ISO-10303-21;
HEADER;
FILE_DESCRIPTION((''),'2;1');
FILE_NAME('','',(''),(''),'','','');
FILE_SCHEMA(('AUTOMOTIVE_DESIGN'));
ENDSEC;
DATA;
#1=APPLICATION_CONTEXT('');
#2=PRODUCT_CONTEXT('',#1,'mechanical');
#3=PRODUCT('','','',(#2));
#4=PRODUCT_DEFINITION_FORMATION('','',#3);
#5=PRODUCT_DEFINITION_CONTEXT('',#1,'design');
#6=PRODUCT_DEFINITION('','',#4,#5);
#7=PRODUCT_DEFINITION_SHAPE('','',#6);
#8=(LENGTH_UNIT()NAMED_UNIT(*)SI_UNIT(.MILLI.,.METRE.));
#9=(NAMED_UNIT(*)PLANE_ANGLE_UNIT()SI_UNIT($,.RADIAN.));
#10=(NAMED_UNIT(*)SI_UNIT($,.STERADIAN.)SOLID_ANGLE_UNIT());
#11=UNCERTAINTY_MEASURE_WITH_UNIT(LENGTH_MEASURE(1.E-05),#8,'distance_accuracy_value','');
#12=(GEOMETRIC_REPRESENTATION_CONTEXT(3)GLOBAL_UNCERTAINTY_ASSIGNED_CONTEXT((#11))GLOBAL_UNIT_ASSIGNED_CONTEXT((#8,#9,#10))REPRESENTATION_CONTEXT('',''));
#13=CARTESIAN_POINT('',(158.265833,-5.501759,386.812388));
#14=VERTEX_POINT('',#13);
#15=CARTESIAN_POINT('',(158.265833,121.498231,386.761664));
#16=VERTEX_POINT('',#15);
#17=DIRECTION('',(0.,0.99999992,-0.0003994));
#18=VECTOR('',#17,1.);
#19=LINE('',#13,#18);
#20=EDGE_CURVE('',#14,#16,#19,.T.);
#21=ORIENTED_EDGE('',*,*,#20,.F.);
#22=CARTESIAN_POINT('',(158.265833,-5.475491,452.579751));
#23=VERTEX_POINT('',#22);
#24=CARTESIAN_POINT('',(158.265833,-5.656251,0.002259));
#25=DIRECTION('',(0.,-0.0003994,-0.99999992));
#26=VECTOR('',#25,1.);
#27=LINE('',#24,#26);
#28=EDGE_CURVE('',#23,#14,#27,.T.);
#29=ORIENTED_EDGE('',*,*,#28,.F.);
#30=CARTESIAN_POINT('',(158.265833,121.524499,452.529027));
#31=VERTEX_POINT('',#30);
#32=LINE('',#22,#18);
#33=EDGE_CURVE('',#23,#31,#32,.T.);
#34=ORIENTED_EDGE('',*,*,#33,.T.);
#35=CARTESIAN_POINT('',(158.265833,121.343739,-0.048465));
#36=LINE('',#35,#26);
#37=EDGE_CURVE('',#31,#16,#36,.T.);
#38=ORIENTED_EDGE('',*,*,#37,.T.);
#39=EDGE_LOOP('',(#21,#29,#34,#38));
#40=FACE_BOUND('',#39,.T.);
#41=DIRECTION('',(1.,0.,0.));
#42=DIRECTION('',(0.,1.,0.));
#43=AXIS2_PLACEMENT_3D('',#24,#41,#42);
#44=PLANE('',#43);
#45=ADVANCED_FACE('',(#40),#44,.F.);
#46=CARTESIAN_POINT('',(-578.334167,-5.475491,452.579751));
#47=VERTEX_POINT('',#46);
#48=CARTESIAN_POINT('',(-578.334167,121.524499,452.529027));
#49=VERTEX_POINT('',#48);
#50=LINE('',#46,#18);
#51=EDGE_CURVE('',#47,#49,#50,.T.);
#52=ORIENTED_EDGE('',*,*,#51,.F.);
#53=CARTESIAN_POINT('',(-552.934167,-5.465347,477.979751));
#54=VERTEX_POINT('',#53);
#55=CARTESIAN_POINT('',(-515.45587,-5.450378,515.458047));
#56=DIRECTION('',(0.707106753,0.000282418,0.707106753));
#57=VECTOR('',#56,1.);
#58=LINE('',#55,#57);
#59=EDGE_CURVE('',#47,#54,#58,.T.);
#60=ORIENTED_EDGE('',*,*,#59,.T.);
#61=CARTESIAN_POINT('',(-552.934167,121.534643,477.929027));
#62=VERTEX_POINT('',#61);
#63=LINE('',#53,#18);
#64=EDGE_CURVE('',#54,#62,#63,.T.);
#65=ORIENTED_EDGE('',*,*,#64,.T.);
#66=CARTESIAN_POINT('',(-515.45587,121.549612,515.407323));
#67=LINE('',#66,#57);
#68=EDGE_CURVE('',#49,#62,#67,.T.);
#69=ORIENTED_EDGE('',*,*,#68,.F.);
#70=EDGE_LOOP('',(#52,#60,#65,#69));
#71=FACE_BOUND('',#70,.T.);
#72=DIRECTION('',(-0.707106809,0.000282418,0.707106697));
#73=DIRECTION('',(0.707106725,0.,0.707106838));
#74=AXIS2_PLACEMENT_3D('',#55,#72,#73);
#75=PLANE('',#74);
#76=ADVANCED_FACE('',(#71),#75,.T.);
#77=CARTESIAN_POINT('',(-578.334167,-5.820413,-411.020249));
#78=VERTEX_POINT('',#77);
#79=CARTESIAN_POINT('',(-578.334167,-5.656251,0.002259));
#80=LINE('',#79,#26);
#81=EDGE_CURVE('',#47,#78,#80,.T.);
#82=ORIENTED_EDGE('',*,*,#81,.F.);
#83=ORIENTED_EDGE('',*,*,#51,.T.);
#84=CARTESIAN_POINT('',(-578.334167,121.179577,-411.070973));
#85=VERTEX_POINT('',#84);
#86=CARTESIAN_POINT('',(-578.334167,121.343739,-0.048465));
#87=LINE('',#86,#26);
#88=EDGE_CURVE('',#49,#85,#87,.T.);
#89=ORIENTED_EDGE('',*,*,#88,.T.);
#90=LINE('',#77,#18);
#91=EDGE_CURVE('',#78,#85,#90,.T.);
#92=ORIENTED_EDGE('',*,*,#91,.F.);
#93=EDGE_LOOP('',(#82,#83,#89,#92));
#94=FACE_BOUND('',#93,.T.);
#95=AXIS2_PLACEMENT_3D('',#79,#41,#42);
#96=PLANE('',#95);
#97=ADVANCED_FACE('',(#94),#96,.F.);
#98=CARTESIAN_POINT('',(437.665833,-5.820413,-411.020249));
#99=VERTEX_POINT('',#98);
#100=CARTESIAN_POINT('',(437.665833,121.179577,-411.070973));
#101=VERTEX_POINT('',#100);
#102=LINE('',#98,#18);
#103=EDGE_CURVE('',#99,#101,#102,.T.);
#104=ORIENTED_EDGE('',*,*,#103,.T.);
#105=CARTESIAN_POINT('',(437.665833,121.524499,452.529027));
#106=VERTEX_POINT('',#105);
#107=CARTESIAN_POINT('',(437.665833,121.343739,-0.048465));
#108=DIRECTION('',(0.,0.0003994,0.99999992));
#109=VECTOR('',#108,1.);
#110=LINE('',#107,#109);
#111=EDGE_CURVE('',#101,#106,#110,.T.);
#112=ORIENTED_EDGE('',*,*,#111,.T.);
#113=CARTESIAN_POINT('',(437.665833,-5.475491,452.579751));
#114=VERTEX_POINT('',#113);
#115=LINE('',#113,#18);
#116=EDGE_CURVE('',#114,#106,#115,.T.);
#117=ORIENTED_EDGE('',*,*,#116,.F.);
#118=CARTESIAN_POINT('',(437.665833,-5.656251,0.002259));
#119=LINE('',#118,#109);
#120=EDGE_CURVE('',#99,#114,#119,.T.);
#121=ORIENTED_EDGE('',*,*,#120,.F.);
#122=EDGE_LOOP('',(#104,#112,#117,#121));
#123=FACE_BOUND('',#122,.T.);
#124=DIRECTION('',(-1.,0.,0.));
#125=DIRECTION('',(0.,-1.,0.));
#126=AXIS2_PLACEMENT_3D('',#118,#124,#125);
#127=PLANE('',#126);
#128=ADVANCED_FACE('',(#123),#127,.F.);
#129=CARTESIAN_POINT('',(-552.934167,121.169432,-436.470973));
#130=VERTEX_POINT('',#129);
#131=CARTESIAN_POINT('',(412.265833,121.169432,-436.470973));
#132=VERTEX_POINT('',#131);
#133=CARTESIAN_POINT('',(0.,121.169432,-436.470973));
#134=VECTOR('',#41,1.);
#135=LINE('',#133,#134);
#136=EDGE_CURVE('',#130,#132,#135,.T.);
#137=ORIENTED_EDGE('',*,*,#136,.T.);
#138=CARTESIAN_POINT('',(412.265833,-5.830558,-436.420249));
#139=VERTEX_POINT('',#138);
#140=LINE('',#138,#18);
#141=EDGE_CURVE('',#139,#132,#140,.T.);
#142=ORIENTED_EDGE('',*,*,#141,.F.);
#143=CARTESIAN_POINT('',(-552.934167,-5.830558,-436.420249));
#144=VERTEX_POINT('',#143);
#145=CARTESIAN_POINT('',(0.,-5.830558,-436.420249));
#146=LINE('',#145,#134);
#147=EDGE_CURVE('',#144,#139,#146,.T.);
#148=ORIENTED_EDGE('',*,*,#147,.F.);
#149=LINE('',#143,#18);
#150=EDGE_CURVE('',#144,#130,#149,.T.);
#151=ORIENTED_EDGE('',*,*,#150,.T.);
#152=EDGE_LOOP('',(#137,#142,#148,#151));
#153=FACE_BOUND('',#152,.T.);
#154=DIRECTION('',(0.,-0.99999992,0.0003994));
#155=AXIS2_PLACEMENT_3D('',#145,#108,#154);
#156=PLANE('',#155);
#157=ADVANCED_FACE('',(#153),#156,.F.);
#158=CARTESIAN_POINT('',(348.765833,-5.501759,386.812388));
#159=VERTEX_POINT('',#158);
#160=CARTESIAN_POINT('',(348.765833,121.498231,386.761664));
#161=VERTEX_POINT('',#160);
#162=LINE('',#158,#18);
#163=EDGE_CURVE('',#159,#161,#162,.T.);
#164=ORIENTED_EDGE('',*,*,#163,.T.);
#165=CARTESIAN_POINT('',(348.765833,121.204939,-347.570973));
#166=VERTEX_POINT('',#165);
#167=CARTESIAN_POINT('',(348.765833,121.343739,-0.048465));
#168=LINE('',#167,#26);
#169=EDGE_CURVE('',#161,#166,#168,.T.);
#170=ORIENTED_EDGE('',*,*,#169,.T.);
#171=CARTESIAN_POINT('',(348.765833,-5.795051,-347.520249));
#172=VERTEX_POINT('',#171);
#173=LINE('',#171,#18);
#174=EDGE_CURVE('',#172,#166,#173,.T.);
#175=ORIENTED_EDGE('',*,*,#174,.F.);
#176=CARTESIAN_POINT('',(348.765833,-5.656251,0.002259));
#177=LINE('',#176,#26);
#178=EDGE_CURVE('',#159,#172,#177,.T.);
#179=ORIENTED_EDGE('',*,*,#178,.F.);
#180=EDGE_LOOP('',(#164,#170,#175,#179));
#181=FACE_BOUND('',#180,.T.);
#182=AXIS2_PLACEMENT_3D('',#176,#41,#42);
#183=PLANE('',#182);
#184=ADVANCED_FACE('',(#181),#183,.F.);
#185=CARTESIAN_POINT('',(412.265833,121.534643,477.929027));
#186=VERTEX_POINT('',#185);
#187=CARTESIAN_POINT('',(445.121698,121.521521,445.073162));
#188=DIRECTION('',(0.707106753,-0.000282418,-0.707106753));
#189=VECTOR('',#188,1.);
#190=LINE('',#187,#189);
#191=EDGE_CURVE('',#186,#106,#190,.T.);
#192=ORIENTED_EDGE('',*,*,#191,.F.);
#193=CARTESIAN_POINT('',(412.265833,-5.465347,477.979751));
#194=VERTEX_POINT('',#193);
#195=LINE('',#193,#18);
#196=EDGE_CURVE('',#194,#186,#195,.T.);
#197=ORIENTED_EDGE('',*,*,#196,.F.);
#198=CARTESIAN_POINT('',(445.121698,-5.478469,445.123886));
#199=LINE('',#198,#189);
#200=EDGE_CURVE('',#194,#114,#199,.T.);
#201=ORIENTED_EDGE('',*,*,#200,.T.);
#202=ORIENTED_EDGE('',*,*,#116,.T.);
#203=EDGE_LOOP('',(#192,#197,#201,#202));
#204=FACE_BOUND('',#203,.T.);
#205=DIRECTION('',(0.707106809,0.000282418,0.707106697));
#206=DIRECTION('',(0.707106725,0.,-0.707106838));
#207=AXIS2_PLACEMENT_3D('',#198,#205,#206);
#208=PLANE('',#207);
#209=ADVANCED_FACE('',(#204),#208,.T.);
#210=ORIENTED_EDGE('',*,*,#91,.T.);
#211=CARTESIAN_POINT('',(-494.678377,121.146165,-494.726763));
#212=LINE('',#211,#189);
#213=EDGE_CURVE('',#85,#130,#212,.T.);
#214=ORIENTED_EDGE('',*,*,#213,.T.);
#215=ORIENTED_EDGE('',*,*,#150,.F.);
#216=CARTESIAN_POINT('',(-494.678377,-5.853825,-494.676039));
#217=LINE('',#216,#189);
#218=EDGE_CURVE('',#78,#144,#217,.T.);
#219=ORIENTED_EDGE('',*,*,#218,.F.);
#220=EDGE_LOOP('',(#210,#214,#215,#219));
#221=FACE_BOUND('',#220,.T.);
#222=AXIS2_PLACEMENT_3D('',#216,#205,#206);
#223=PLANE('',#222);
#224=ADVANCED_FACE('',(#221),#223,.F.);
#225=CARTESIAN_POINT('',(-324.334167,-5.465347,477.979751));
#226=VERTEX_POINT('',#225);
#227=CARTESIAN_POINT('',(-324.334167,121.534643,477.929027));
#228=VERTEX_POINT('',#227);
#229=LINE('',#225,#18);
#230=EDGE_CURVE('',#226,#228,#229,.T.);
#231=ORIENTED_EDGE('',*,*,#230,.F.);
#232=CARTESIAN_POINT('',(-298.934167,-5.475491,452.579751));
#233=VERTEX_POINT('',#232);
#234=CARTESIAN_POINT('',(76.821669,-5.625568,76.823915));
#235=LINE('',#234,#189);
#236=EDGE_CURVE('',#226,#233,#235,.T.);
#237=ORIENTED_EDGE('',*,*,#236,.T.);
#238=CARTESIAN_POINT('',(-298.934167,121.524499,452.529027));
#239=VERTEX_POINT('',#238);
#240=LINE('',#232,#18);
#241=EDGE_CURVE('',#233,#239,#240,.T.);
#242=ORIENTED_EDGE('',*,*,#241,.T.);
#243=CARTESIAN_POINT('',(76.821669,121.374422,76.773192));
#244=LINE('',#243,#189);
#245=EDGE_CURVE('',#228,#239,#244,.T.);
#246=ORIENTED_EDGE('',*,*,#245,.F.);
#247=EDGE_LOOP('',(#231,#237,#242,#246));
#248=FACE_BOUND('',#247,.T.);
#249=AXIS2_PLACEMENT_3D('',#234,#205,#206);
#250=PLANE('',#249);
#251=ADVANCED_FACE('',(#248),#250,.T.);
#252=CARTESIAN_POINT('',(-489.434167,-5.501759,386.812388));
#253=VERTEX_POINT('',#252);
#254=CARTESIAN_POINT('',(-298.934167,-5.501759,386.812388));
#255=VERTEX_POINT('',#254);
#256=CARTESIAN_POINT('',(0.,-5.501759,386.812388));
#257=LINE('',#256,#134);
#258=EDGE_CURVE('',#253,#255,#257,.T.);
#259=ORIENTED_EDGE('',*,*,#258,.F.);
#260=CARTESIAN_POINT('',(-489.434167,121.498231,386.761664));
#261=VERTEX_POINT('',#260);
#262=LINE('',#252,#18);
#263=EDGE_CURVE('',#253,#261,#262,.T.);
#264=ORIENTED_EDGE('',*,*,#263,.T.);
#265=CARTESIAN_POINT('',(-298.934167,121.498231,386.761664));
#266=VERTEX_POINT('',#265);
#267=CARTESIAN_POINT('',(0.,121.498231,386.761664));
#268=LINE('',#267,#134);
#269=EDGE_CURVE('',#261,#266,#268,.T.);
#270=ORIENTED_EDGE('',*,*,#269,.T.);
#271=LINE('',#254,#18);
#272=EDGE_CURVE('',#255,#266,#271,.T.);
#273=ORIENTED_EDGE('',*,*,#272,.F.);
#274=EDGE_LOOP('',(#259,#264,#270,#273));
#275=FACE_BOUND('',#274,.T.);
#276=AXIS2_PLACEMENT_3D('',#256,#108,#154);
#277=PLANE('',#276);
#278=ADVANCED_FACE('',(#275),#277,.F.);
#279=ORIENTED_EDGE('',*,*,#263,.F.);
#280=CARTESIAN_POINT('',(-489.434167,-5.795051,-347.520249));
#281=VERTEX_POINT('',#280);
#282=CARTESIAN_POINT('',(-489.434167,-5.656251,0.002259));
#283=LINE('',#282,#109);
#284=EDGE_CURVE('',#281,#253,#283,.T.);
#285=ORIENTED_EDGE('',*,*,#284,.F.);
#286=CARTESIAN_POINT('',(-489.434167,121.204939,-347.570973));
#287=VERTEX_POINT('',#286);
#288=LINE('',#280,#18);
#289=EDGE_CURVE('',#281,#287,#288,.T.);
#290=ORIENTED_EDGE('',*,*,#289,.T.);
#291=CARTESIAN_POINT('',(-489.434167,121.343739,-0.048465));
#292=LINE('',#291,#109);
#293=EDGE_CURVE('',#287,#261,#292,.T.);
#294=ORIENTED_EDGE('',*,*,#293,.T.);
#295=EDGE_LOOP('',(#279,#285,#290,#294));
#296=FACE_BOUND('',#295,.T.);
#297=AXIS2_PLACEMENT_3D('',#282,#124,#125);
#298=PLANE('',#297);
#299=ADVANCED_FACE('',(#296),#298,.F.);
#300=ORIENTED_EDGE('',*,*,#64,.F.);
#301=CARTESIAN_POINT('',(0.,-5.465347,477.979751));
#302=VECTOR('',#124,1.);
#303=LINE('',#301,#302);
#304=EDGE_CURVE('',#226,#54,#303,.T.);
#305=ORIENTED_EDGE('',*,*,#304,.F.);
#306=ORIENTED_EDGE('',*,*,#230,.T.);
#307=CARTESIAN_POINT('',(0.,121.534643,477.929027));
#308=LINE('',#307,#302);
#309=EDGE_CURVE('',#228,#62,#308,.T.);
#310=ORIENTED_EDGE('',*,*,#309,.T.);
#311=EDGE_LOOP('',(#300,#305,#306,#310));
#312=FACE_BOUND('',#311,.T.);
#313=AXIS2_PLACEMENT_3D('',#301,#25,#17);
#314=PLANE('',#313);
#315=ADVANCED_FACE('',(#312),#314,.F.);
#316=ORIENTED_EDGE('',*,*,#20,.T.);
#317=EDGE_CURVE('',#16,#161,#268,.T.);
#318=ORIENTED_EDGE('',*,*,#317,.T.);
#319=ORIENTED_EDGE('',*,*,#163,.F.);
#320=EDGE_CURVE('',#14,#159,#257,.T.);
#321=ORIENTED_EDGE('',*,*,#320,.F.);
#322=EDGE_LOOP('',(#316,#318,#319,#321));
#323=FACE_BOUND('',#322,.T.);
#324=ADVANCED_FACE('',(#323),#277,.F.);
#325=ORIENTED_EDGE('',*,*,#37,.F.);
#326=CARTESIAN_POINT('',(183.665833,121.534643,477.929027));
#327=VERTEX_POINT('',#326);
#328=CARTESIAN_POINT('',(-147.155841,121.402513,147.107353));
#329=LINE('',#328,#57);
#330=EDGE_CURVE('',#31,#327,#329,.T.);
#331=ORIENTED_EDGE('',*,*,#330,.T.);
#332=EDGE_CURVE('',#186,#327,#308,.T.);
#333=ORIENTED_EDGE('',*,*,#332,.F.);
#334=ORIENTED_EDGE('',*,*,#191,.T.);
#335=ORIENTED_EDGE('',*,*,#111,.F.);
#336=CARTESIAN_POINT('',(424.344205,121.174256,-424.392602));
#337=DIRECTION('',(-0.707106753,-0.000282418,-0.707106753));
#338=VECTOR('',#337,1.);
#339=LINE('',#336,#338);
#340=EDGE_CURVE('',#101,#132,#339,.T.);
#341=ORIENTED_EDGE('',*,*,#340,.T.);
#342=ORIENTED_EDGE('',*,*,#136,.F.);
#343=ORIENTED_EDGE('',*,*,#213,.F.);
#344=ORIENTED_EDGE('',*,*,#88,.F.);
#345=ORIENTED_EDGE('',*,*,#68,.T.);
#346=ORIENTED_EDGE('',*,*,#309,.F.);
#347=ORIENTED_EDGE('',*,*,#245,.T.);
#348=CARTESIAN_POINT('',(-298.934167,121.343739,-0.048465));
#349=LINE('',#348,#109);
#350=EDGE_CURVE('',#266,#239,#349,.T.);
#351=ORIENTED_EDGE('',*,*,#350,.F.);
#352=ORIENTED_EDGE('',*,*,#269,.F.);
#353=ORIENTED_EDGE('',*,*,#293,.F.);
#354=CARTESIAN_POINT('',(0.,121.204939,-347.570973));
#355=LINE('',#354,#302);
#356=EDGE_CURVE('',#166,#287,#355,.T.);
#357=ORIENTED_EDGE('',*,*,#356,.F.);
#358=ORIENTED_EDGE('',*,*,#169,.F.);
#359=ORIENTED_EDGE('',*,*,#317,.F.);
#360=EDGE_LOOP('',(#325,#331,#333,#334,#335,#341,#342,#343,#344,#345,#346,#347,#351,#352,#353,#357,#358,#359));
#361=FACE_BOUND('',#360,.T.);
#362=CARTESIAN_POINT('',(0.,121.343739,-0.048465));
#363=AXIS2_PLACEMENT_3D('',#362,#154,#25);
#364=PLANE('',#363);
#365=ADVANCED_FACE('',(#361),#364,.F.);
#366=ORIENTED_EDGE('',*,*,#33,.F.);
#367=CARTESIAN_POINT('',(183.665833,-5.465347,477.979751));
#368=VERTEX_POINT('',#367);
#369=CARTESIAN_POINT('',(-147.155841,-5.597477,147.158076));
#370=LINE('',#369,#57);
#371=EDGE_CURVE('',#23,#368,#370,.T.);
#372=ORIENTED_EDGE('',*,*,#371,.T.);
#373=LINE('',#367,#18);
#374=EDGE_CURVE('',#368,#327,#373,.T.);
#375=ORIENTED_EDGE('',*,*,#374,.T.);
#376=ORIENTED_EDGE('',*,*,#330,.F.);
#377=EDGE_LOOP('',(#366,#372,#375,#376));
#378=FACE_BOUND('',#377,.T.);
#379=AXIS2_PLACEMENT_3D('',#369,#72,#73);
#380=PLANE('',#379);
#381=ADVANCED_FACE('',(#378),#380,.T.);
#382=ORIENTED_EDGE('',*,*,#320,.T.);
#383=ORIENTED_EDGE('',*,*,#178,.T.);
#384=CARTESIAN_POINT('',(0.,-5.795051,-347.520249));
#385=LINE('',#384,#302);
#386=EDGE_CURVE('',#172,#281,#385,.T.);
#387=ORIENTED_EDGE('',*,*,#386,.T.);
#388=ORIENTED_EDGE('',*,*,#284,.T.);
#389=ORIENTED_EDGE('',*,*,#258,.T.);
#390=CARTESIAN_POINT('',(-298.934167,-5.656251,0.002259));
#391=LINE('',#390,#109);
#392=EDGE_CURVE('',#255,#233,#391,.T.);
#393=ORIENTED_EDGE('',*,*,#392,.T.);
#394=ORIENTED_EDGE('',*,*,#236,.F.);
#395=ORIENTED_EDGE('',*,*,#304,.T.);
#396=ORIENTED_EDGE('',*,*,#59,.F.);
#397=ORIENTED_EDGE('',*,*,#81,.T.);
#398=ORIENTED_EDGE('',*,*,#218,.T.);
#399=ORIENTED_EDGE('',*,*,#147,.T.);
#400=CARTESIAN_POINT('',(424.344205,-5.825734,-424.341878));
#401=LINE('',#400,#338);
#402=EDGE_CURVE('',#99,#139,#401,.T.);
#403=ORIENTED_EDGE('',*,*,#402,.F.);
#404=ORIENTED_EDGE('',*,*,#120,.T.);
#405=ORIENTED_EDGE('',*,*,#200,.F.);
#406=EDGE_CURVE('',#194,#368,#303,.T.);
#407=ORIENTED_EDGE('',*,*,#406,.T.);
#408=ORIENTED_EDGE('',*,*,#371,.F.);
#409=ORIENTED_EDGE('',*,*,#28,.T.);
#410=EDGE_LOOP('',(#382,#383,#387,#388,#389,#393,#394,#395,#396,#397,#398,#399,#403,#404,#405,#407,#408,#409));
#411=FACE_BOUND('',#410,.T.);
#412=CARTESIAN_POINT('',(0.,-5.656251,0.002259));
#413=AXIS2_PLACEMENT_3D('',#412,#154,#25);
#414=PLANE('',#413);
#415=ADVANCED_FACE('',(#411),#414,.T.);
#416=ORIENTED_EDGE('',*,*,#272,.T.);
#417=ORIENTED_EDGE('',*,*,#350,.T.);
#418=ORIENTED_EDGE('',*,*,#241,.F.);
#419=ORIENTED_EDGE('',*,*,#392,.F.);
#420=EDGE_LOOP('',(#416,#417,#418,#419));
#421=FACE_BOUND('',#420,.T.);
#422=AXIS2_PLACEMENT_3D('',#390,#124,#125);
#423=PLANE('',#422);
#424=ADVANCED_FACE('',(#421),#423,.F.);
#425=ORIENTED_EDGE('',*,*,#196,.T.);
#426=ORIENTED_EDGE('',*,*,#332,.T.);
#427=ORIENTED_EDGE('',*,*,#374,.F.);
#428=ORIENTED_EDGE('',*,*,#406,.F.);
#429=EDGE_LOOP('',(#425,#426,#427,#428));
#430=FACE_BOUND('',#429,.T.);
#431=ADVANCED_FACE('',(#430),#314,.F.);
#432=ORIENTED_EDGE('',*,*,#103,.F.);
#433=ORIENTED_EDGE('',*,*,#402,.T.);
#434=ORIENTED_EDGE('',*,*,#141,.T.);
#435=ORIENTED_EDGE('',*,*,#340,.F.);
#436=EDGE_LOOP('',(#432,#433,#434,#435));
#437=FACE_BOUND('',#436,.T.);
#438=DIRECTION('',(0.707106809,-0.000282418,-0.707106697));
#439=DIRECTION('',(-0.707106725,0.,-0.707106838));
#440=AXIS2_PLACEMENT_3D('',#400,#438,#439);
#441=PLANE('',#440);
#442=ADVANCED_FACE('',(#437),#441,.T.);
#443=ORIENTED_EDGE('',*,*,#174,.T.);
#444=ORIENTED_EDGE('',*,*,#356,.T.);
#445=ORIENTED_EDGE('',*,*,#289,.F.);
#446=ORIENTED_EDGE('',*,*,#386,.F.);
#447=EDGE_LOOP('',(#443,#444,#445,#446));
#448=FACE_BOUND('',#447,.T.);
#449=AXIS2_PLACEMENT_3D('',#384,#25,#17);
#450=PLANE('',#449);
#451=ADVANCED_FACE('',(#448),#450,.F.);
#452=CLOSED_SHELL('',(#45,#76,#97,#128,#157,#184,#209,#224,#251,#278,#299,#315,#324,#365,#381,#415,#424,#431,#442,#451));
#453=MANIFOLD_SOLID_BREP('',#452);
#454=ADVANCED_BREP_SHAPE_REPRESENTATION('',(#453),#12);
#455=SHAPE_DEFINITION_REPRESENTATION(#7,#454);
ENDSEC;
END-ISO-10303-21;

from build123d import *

# Parameters (mm, degrees)
BOSS_EXTRUDE1_DEPTH = 63.5


with BuildPart() as part:
    # Sketch1 → Boss-Extrude1 (new body, symmetric)
    with BuildSketch(Plane(origin=(0, 57.843753362, -2.3797e-05), x_dir=(-1, 0, 0), z_dir=(0, -0.99999992, 0.0003994))):
        Polygon((-412.265833354, -477.954450626), (-183.665833354, -477.954450626), (-158.265833354, -452.554448601), (-158.265833354, -386.787080658), (-348.765833354, -386.787080658), (-348.765833354, 347.545615216), (489.434166646, 347.545615216), (489.434166646, -386.787080658), (298.934166646, -386.787080658), (298.934166646, -452.554448601), (324.334166646, -477.954450626), (552.934166646, -477.954450626), (578.334166646, -452.554448601), (578.334166646, 411.04562028), (552.934166646, 436.445622306), (-412.265833354, 436.445622306), (-437.665833354, 411.04562028), (-437.665833354, -452.554448601), align=None)
    extrude(amount=BOSS_EXTRUDE1_DEPTH, both=True)


solid = part.part
